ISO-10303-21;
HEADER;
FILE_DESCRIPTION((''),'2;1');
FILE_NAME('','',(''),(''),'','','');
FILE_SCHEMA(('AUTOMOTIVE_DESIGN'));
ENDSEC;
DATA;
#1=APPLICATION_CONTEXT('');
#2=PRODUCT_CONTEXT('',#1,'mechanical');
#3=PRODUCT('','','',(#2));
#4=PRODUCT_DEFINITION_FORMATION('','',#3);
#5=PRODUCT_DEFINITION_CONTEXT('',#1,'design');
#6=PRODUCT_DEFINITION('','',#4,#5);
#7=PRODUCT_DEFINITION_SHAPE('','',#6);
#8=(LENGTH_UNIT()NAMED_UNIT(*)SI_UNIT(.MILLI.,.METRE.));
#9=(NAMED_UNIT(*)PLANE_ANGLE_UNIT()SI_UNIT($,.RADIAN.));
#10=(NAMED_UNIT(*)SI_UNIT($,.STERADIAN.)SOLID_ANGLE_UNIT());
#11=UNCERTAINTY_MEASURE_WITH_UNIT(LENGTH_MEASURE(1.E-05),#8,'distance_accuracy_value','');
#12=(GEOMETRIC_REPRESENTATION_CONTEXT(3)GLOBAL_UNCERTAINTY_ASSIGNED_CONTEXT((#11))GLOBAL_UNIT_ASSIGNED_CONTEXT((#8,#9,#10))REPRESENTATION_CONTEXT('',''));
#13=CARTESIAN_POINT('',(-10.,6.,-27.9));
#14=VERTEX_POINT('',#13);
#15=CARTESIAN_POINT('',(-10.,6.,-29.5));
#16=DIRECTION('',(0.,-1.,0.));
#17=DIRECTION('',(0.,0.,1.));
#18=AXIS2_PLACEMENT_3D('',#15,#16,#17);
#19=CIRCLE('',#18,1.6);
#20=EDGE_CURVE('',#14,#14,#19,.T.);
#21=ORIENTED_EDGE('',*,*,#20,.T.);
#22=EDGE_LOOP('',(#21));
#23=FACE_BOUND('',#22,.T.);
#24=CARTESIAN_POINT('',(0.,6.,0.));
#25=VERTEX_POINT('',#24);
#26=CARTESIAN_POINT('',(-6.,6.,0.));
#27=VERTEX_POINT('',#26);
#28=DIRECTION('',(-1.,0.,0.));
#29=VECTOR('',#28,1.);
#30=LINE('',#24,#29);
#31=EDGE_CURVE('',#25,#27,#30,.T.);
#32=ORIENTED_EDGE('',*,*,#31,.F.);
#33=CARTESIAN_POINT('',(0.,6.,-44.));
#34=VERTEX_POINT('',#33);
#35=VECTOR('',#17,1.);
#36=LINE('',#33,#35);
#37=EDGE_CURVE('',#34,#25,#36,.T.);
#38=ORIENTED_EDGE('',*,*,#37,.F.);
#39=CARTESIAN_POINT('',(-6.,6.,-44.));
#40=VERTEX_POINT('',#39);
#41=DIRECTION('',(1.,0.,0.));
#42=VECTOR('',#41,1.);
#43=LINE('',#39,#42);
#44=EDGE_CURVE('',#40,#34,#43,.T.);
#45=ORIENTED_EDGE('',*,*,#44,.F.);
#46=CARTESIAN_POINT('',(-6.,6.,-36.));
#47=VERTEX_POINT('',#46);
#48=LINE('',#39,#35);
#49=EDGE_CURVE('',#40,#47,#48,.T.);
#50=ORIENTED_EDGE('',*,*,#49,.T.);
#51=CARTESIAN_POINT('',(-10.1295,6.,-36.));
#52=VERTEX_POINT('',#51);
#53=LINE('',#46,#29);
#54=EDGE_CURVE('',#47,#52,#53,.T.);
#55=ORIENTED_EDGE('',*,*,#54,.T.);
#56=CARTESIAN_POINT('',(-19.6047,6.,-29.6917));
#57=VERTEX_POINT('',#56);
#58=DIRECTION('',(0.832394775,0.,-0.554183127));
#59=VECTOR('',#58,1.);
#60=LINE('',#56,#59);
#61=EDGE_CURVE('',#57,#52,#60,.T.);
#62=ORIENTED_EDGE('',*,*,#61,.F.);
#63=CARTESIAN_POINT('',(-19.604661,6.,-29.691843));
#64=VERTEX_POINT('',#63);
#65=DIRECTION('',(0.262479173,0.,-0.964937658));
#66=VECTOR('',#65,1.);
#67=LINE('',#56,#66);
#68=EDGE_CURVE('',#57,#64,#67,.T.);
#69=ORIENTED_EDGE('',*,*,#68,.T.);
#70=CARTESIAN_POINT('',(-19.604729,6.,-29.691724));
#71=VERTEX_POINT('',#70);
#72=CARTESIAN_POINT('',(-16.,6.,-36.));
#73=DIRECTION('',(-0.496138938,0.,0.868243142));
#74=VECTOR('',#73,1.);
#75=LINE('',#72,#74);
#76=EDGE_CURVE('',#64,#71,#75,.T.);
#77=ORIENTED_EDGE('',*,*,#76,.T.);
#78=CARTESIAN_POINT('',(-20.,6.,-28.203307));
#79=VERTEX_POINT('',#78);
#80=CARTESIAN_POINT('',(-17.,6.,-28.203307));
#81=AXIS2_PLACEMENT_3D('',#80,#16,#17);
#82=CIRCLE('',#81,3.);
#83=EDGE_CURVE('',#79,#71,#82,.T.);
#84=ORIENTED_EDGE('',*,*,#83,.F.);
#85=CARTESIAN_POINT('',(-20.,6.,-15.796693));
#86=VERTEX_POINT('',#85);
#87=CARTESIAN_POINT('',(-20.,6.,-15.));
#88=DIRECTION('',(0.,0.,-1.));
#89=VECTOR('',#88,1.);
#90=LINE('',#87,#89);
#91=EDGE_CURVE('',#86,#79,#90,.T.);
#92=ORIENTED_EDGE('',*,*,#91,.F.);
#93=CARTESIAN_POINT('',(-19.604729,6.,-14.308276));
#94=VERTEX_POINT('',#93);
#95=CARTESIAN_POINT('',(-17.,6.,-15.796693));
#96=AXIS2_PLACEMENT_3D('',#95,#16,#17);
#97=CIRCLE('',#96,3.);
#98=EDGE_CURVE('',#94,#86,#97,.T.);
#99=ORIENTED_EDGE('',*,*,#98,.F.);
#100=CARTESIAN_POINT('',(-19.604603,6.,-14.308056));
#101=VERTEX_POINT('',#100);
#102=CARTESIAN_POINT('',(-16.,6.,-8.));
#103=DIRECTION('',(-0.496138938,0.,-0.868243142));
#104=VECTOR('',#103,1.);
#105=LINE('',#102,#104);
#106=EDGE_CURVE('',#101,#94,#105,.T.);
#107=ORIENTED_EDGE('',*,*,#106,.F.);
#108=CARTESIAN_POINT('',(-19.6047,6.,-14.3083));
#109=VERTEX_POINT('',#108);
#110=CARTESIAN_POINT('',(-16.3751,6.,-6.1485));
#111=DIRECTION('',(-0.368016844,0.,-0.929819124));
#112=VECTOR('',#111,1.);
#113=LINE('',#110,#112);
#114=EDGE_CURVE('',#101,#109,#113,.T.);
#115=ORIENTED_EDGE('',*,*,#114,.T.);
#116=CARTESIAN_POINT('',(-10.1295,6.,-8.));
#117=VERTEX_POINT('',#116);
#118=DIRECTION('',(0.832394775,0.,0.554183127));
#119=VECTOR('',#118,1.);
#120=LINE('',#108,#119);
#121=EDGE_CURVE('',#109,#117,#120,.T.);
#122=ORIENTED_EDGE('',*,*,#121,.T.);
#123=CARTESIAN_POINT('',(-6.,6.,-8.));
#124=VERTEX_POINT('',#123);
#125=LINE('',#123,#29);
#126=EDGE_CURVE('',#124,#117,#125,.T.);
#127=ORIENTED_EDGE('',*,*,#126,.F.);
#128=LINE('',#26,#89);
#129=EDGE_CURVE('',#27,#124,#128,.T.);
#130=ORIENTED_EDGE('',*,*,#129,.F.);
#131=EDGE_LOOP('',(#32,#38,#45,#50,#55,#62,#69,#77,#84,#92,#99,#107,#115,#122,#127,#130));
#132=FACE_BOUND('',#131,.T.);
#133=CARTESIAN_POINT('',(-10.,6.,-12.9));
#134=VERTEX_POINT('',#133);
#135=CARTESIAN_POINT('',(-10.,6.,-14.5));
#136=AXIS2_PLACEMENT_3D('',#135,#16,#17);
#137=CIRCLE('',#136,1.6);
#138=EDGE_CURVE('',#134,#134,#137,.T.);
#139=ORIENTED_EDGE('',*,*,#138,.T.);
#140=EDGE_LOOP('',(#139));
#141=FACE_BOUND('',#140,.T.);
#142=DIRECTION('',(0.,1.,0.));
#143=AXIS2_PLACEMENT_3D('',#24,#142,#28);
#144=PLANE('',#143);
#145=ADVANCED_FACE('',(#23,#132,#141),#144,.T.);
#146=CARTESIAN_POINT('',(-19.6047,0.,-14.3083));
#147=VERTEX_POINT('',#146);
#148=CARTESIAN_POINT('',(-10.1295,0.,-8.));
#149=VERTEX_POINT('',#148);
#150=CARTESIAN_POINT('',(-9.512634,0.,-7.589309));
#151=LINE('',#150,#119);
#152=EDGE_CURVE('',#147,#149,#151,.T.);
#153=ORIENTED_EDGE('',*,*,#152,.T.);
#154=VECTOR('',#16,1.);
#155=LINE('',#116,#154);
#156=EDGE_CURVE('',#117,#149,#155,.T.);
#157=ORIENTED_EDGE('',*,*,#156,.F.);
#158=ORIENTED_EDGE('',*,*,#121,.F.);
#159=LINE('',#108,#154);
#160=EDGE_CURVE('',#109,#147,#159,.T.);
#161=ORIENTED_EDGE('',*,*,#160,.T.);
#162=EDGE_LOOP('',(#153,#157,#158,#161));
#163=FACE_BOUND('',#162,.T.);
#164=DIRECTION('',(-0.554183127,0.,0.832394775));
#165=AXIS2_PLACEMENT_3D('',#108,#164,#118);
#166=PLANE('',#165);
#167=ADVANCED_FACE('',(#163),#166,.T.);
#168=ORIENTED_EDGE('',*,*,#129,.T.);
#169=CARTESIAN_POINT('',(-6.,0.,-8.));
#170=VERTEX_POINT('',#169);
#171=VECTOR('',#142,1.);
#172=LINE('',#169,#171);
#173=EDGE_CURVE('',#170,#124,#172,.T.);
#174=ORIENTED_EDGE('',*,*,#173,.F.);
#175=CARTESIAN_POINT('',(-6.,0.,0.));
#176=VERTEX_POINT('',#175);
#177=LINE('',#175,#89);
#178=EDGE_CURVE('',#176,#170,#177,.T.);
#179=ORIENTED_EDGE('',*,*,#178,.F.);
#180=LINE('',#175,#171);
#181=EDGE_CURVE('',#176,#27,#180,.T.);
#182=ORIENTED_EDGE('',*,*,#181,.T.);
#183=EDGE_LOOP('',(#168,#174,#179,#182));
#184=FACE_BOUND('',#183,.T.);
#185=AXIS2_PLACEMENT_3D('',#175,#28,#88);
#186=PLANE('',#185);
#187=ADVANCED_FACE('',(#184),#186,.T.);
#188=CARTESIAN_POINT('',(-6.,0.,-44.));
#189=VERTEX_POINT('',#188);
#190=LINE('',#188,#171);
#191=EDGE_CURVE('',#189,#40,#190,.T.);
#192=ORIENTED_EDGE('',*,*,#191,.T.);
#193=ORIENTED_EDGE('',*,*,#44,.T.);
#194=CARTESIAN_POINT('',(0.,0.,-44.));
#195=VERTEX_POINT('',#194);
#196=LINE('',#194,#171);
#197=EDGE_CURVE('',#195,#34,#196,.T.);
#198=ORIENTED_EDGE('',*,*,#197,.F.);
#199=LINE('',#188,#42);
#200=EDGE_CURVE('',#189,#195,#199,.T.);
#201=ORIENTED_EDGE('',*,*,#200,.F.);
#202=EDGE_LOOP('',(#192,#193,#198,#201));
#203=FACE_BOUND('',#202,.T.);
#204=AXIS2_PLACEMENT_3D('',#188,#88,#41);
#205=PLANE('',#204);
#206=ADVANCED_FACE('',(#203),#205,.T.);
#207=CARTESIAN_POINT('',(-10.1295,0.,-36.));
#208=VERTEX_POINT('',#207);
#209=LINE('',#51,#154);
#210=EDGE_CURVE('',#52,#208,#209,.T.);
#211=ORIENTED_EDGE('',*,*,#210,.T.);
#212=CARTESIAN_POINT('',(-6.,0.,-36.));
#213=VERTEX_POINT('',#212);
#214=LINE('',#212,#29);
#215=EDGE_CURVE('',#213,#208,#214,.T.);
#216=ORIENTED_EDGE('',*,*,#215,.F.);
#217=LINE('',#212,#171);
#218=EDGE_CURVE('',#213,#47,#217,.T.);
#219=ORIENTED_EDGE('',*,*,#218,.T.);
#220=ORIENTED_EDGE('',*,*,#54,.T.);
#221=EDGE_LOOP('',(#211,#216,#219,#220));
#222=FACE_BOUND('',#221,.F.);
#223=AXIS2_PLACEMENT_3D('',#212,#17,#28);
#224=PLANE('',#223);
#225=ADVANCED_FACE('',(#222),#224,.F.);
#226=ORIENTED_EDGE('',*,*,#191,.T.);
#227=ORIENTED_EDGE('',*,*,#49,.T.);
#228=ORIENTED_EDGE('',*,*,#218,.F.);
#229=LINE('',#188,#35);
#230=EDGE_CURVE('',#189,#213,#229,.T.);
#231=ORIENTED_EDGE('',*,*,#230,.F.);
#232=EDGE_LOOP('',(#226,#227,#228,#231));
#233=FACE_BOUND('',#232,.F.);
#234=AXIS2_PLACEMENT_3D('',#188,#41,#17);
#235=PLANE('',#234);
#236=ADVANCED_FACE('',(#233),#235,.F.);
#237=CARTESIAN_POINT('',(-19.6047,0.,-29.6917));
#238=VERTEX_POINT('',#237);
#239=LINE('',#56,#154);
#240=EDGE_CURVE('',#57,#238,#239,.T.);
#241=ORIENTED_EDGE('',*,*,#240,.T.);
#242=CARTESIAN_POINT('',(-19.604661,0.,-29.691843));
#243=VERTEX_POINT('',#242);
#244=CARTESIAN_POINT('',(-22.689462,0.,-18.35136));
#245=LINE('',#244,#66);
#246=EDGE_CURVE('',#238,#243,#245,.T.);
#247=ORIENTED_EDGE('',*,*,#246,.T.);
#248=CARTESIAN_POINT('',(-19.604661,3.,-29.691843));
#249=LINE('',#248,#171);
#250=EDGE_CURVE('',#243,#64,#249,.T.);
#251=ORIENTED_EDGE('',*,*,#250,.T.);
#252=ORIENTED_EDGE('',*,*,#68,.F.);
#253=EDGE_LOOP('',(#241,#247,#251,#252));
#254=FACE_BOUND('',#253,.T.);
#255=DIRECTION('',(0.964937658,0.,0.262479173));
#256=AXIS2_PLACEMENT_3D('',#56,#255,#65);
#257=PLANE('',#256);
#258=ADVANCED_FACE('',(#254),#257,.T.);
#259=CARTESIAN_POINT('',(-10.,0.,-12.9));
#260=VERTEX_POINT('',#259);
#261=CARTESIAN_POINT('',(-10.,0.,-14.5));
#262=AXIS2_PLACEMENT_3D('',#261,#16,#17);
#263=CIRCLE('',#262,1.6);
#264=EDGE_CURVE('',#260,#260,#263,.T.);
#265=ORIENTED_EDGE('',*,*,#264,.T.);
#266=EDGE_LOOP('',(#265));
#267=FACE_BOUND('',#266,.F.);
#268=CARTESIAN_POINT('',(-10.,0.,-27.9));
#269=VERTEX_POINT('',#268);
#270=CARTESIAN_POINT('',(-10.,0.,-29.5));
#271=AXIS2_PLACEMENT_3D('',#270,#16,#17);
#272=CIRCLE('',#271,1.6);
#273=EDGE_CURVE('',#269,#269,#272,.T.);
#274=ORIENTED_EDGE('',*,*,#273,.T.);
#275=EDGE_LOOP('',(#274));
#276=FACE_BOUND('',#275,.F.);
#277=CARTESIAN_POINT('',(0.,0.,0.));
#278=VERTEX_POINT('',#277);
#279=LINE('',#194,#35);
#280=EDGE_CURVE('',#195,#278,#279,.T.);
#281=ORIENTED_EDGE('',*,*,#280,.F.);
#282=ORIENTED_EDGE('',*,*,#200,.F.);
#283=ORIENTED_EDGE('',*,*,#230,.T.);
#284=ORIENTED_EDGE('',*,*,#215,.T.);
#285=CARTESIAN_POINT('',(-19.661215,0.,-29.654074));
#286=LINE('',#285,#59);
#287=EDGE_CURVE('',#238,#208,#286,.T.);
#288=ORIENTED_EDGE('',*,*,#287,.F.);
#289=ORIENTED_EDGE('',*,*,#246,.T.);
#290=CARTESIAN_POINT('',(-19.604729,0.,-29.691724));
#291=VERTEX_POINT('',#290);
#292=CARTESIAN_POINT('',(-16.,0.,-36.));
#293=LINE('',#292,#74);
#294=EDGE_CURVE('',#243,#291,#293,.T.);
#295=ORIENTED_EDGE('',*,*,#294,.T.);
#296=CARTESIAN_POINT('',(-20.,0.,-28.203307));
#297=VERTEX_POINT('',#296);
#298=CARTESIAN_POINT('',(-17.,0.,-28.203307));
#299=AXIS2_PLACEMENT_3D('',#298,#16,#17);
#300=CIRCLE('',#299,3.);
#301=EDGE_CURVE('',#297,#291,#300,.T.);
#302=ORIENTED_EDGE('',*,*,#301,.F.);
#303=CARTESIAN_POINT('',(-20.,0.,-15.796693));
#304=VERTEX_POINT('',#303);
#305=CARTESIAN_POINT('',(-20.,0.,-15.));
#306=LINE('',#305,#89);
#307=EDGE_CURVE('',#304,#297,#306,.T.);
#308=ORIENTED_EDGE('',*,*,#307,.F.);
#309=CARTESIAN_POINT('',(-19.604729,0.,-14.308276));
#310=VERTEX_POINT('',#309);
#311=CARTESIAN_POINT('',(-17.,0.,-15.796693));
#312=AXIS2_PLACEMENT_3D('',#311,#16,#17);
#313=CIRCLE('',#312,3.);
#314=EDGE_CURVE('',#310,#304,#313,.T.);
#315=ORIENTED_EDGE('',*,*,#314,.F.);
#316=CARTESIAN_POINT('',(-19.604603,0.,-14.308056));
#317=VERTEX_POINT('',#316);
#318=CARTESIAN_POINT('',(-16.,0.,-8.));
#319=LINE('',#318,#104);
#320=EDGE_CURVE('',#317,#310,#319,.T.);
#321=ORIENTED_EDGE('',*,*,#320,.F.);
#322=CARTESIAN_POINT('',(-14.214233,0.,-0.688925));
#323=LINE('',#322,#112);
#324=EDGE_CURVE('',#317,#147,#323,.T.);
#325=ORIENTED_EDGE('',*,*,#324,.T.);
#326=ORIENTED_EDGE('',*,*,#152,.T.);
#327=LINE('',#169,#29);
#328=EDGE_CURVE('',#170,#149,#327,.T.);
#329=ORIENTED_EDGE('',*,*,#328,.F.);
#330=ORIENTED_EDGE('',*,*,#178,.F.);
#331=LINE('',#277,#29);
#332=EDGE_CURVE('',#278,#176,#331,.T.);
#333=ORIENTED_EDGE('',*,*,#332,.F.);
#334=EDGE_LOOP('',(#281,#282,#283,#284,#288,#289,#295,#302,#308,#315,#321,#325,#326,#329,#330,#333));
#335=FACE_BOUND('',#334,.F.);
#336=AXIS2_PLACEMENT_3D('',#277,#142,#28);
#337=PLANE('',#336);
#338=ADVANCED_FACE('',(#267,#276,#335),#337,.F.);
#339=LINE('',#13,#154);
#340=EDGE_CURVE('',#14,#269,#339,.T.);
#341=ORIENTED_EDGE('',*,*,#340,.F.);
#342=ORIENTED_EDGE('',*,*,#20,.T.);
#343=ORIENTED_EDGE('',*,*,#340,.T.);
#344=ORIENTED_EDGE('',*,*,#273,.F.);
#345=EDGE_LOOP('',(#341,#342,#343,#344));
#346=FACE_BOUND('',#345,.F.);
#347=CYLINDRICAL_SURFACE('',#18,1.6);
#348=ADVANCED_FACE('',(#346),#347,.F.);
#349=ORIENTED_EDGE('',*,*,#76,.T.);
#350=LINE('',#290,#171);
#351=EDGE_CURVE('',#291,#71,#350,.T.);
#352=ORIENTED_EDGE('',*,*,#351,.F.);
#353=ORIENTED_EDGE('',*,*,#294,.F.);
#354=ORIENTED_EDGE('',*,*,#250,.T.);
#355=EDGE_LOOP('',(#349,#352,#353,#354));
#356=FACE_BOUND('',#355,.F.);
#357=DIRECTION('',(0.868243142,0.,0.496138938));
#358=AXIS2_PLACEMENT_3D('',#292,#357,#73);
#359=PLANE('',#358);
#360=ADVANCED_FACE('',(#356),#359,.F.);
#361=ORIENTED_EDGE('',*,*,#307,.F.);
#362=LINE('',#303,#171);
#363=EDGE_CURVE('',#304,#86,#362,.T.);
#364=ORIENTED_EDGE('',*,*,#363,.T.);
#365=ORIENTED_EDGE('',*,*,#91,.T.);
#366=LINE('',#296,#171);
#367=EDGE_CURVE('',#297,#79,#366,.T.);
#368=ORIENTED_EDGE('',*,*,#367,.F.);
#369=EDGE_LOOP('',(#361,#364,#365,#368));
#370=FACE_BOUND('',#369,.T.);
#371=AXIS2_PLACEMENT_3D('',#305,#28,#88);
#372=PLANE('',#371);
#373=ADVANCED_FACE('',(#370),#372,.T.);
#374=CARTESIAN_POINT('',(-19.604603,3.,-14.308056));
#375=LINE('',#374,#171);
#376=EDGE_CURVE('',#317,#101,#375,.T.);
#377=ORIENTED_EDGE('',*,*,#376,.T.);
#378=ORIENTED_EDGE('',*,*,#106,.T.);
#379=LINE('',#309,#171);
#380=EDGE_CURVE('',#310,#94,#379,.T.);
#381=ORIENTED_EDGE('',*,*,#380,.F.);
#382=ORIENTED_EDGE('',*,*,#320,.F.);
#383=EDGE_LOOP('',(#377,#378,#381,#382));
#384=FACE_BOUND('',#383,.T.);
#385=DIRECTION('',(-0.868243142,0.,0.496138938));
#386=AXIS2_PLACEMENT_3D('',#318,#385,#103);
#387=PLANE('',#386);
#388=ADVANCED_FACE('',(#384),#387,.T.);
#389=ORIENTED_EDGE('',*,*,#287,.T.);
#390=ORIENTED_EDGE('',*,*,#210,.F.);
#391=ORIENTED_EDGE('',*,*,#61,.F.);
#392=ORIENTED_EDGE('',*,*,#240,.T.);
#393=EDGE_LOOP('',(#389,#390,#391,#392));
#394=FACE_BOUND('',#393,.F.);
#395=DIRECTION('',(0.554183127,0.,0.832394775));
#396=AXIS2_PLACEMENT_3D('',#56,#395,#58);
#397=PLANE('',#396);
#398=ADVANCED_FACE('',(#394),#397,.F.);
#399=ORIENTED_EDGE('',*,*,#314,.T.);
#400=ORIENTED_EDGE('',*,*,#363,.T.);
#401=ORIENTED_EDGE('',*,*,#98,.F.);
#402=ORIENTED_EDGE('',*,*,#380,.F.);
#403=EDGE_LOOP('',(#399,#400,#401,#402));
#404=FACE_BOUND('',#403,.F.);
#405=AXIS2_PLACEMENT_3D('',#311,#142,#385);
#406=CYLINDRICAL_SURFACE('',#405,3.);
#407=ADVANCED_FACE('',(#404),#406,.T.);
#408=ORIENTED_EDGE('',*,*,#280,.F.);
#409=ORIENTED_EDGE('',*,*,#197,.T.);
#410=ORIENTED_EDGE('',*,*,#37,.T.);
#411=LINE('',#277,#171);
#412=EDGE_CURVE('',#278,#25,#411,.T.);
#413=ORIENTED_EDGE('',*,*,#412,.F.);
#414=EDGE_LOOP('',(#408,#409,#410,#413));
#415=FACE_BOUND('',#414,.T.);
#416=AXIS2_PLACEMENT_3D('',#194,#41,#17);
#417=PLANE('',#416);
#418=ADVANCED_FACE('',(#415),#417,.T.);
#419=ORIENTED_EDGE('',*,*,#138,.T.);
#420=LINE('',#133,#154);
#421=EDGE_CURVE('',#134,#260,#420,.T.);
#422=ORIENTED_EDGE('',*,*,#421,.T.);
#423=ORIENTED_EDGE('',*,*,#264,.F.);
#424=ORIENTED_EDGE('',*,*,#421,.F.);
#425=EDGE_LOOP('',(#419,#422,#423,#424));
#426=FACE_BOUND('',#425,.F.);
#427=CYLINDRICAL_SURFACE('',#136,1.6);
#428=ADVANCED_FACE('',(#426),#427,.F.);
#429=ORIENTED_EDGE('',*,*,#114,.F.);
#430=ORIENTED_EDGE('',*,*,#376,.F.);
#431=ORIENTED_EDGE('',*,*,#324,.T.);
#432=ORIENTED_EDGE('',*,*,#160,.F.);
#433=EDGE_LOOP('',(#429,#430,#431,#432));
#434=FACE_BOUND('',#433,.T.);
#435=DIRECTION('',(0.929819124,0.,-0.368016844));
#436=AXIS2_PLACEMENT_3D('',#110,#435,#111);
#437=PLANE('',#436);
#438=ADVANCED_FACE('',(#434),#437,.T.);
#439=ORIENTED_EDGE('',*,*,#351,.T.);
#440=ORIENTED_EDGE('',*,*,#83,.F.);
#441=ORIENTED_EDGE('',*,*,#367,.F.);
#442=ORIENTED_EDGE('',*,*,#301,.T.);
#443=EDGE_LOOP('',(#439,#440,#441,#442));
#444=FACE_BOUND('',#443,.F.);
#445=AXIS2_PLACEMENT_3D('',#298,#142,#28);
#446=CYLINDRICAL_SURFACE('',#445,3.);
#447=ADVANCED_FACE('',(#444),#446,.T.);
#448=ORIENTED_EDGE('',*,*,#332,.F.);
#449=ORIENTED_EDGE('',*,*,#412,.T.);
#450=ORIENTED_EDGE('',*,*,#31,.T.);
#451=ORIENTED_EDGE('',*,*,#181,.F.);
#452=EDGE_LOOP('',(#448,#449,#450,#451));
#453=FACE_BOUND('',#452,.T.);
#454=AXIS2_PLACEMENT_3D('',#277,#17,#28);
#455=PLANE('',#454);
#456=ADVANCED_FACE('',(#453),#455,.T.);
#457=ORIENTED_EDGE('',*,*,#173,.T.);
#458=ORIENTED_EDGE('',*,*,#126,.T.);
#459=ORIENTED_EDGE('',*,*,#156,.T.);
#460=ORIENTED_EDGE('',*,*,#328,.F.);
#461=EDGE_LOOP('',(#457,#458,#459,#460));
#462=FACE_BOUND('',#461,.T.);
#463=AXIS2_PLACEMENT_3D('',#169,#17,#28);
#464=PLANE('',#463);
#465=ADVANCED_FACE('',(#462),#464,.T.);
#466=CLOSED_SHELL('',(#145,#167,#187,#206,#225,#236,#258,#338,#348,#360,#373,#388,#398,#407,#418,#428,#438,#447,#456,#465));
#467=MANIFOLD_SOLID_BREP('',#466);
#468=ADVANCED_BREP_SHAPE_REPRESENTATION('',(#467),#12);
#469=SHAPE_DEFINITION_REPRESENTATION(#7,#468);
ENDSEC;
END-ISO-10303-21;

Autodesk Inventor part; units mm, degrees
ref_plane "YZ Plane" through (0, 0, 0) normal (1, 0, 0) x (0, 1, 0)
ref_plane "XZ Plane" through (0, 0, 0) normal (0, 1, 0) x (-1, 0, 0)
ref_plane "XY Plane" through (0, 0, 0) normal (0, 0, 1) x (1, 0, 0)
sketch "スケッチ1" plane through (0, 0, 0) normal (0, 1, 0) x (-1, 0, 0)
  line L0 (0, 0) -> (6, 0)
  line L1 (0, -44) -> (0, 0)
  line L2 (6, 0) -> (6, -8)
  line L3 (6, -44) -> (6, -36)
  line L4 (6, -36) -> (16, -36)
  line L5 (6, -8) -> (16, -8)
  line L6 (6, -44) -> (0, -44)
  line L7 (16, -8) -> (20, -15)
  line L8 (16, -36) -> (20, -29)
  line L9 (20, -15) -> (20, -29)
  point P0 (0, -22)
  point P1 (10, -14.5)
  point P2 (10, -29.5)
  dimension "d2" = 8
  dimension "d3" = 6
  dimension "d4" = 8
  dimension "d5" = 6
  dimension "d9" = 10
  dimension "d10" = 10
  dimension "d11" = 10
extrude "押し出し1" add sketch "スケッチ1" along normal blind 6
sketch "スケッチ2" plane through (0, 6, 0) normal (0, 1, 0) x (1, 0, 0)
  line L0 (0, 0) -> (0, 44) projected
  line L1 (-16, 8) -> (-6, 8) projected
  line L2 (-6, 36) -> (-16, 36) projected
  point P0 (-10, 14.5)
  point P1 (-10, 29.5)
  dimension "d17" = 10
  dimension "d18" = 6.5
  dimension "d19" = 10
  dimension "d20" = 6.5
hole "穴1" at (-10, 6, -14.5) at (-10, 6, -29.5) direction (0, -1, 0) diameter 3.2 end through all
fillet "フィレット1" radius 3 2 edges at (-16, 3, -8) (-16, 3, -36)
fillet "フィレット2" radius 3 2 edges at (-20, 3, -29) (-20, 3, -15)
sketch "スケッチ3" plane through (0, 6, 0) normal (0, 1, 0) x (1, 0, 0)
  arc A0 (-20, 15.7967) -> (-19.6047, 14.3083) centre (-17, 15.7967) ccw projected
  line L0 (-19.6047, 14.3083) -> (-10.1295, 8)
  line L1 (-14.259, 8) -> (-6, 8) projected
  line L2 (-20, 28.2033) -> (-20, 15.7967) projected
  line L3 (-20, 22) -> (-17.294, 22)
  line L4 (-19.6047, 29.6917) -> (-10.1295, 36)
  line L5 (-10.1295, 8) -> (-16.3751, 6.1485)
  line L6 (-19.6047, 14.3083) -> (-16.8638, 9.5116) projected
  line L7 (-16.3751, 6.1485) -> (-19.6047, 14.3083)
  line L8 (-16.8638, 34.4884) -> (-19.6047, 29.6917) projected
  line L9 (-19.6047, 29.6917) -> (-16.8449, 39.8374)
  line L10 (-16.8449, 39.8374) -> (-10.1295, 36)
  point P0 (0, 0)
extrude "押し出し2" cut sketch "スケッチ3" against normal blind 10
properties part number "射出_ベルト固定" material "PET プラスチック"
